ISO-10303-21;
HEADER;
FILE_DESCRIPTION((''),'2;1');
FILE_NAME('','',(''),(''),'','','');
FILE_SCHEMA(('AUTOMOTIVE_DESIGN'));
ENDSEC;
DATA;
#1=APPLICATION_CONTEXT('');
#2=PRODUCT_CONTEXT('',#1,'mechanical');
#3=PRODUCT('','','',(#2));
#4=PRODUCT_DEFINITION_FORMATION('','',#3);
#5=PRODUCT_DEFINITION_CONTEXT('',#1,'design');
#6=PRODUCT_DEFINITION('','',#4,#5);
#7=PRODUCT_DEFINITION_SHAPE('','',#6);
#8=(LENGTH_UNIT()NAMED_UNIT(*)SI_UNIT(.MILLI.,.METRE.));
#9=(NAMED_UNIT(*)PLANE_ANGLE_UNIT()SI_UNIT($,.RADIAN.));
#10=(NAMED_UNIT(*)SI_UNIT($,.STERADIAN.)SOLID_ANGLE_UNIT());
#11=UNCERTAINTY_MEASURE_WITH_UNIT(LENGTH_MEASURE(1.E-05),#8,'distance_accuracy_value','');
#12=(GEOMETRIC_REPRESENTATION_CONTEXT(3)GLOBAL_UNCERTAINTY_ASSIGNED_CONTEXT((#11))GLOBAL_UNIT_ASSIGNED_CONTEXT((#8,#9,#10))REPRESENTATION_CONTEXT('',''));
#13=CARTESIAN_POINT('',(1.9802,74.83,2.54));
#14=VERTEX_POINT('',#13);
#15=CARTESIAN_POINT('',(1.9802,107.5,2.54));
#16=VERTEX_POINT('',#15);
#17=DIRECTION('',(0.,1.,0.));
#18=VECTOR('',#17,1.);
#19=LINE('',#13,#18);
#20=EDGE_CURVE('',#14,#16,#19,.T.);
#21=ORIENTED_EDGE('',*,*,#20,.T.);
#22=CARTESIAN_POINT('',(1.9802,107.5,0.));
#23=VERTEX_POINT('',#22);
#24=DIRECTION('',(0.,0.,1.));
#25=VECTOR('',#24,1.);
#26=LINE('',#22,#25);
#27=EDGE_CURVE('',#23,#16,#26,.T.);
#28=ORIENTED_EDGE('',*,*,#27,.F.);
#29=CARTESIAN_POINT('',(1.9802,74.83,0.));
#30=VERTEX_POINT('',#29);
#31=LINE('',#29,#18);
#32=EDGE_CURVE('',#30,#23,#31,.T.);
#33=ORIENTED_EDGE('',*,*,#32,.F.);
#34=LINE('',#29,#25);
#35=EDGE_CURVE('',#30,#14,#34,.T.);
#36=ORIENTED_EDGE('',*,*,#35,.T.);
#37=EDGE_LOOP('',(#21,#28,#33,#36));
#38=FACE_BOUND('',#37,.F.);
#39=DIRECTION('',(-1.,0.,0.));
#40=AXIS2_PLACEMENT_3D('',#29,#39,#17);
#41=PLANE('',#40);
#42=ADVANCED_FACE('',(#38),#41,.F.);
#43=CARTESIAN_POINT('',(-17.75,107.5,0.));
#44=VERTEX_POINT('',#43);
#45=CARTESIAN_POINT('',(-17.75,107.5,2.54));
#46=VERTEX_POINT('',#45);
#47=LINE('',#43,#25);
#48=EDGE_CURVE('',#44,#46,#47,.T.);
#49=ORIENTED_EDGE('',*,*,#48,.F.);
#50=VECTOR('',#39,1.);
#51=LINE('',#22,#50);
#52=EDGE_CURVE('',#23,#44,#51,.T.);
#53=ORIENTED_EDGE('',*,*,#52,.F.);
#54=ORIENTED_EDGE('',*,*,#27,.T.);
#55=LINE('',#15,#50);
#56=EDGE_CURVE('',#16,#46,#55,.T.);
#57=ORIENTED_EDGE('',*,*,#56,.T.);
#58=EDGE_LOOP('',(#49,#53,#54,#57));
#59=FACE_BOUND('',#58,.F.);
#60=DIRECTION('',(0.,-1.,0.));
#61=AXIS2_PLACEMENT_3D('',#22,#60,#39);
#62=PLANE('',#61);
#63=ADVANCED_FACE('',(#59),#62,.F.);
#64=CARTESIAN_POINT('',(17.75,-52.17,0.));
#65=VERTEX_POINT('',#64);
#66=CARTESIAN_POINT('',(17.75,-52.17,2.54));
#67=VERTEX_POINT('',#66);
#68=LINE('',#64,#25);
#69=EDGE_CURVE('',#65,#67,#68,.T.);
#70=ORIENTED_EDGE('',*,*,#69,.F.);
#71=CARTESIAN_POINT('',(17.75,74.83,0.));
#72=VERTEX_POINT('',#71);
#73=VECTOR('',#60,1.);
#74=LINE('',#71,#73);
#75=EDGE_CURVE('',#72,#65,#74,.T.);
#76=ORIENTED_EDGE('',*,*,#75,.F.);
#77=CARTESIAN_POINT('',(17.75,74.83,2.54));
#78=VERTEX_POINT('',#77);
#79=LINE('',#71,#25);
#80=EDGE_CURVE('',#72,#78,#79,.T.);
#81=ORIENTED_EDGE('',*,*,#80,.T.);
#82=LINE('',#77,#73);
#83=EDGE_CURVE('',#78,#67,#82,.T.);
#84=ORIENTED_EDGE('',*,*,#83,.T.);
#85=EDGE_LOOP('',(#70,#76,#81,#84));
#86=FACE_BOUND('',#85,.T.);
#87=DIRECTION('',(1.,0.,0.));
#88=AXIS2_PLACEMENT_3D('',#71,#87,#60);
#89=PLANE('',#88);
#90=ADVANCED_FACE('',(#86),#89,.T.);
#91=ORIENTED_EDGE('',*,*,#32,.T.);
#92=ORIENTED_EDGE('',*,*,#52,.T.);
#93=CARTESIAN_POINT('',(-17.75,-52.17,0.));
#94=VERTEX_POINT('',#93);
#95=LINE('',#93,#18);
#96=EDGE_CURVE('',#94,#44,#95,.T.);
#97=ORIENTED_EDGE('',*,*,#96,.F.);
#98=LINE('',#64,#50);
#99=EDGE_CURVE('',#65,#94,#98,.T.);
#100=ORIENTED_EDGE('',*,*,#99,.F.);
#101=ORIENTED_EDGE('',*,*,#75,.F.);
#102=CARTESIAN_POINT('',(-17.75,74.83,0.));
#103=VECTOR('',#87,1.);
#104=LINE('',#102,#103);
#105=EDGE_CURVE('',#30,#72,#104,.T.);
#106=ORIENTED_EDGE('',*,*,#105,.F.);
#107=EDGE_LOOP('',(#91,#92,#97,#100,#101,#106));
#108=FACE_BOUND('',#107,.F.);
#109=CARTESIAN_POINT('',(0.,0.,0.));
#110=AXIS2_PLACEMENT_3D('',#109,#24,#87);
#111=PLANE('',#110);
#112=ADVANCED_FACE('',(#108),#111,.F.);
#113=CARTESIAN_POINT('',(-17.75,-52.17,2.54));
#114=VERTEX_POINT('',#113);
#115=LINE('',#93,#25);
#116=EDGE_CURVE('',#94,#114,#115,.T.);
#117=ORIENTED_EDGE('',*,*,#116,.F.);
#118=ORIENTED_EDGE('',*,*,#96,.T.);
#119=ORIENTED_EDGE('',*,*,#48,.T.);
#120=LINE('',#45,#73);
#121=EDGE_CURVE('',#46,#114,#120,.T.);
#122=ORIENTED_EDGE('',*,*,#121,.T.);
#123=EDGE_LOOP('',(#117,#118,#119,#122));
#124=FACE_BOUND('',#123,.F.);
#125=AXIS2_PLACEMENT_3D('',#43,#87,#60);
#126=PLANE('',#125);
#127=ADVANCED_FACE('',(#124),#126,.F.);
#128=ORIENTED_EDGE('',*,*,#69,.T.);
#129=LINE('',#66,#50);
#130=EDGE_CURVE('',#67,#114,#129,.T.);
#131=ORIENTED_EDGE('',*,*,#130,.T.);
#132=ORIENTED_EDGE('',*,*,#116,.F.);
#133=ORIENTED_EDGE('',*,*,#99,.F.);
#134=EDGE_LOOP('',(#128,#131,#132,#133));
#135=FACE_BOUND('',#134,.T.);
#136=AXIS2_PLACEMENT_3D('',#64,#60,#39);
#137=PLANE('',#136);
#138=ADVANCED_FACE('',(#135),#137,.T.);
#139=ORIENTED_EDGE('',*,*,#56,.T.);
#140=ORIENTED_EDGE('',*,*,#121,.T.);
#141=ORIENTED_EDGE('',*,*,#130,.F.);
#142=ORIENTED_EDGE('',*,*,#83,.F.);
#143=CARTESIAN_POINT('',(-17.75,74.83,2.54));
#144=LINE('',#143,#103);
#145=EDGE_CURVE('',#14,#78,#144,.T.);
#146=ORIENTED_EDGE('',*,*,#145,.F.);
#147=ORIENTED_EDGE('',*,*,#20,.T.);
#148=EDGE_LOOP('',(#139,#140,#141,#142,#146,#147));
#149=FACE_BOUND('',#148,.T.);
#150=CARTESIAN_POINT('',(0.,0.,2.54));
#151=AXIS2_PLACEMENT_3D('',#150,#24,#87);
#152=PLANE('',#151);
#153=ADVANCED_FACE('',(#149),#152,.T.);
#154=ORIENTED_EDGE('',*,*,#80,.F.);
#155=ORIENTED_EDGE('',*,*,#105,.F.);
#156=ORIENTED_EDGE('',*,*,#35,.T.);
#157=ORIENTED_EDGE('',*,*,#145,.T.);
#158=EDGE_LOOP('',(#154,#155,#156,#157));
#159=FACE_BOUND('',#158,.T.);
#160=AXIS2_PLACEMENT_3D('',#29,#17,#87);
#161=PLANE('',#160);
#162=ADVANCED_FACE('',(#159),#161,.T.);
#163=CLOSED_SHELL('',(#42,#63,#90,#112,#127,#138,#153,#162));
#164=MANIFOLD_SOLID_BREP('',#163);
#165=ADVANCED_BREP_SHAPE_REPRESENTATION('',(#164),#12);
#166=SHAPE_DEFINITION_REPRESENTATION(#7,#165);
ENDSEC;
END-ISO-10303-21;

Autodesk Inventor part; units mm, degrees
ref_plane "YZ Plane" through (0, 0, 0) normal (1, 0, 0) x (0, 1, 0)
ref_plane "XZ Plane" through (0, 0, 0) normal (0, 1, 0) x (-1, 0, 0)
ref_plane "XY Plane" through (0, 0, 0) normal (0, 0, 1) x (1, 0, 0)
ref_plane "Work Plane1" through (0, 0, 0) normal (0, 0, 1) x (1, 0, 0)
sketch "Sketch1" plane through (0, 0, 0) normal (0, 0, 1) x (1, 0, 0)
  line L0 (8.0002, 76.1) -> (3.2502, 76.1) construction
  line L1 (3.2502, 90.8) -> (3.2502, 103.5) construction
  line L2 (-17.75, 107.5) -> (-17.75, -107.5) construction
  line L3 (17.75, 107.5) -> (-17.75, 107.5) construction
  line L4 (1.9802, 107.5) -> (-17.75, 107.5)
  line L5 (-17.75, 107.5) -> (-17.75, 74.83)
  line L6 (-17.75, 74.83) -> (1.9802, 74.83)
  line L7 (1.9802, 74.83) -> (1.9802, 107.5)
  line L8 (-17.75, 74.83) -> (17.75, 74.83)
  line L9 (17.75, 74.83) -> (17.75, -52.17)
  line L10 (17.75, -52.17) -> (-17.75, -52.17)
  line L11 (-17.75, -52.17) -> (-17.75, 74.83)
  point P0 (0, 0)
  dimension "d1" = 1.27
  dimension "d2" = 1.27
  dimension "d5" = 127
extrude "Extrusion1" add sketch "Sketch1" along normal blind 2.54
sketch "Sketch2" plane through (0, 0, 2.54) normal (0, 0, 1) x (1, 0, 0)
  circle A0 centre (9.0001, 13.4819) radius 34.925 construction
  line L0 (12.3751, 101.9) -> (12.3751, 92.4) construction
  line L1 (5.6252, 92.4) -> (5.6252, 101.9) construction
  line L2 (-23.5916, 26.0332) -> (5.6252, 101.9) construction
  line L3 (41.5918, 26.0331) -> (12.3751, 101.9) construction
  point P0 (0, 0)
sketch "Sketch3" plane through (0, 0, 2.54) normal (0, 0, 1) x (1, 0, 0)
  circle A0 centre (9.0001, 13.4819) radius 44.45 construction
  point P0 (0, 0)
properties part number "horizontal spool mount bottom"
